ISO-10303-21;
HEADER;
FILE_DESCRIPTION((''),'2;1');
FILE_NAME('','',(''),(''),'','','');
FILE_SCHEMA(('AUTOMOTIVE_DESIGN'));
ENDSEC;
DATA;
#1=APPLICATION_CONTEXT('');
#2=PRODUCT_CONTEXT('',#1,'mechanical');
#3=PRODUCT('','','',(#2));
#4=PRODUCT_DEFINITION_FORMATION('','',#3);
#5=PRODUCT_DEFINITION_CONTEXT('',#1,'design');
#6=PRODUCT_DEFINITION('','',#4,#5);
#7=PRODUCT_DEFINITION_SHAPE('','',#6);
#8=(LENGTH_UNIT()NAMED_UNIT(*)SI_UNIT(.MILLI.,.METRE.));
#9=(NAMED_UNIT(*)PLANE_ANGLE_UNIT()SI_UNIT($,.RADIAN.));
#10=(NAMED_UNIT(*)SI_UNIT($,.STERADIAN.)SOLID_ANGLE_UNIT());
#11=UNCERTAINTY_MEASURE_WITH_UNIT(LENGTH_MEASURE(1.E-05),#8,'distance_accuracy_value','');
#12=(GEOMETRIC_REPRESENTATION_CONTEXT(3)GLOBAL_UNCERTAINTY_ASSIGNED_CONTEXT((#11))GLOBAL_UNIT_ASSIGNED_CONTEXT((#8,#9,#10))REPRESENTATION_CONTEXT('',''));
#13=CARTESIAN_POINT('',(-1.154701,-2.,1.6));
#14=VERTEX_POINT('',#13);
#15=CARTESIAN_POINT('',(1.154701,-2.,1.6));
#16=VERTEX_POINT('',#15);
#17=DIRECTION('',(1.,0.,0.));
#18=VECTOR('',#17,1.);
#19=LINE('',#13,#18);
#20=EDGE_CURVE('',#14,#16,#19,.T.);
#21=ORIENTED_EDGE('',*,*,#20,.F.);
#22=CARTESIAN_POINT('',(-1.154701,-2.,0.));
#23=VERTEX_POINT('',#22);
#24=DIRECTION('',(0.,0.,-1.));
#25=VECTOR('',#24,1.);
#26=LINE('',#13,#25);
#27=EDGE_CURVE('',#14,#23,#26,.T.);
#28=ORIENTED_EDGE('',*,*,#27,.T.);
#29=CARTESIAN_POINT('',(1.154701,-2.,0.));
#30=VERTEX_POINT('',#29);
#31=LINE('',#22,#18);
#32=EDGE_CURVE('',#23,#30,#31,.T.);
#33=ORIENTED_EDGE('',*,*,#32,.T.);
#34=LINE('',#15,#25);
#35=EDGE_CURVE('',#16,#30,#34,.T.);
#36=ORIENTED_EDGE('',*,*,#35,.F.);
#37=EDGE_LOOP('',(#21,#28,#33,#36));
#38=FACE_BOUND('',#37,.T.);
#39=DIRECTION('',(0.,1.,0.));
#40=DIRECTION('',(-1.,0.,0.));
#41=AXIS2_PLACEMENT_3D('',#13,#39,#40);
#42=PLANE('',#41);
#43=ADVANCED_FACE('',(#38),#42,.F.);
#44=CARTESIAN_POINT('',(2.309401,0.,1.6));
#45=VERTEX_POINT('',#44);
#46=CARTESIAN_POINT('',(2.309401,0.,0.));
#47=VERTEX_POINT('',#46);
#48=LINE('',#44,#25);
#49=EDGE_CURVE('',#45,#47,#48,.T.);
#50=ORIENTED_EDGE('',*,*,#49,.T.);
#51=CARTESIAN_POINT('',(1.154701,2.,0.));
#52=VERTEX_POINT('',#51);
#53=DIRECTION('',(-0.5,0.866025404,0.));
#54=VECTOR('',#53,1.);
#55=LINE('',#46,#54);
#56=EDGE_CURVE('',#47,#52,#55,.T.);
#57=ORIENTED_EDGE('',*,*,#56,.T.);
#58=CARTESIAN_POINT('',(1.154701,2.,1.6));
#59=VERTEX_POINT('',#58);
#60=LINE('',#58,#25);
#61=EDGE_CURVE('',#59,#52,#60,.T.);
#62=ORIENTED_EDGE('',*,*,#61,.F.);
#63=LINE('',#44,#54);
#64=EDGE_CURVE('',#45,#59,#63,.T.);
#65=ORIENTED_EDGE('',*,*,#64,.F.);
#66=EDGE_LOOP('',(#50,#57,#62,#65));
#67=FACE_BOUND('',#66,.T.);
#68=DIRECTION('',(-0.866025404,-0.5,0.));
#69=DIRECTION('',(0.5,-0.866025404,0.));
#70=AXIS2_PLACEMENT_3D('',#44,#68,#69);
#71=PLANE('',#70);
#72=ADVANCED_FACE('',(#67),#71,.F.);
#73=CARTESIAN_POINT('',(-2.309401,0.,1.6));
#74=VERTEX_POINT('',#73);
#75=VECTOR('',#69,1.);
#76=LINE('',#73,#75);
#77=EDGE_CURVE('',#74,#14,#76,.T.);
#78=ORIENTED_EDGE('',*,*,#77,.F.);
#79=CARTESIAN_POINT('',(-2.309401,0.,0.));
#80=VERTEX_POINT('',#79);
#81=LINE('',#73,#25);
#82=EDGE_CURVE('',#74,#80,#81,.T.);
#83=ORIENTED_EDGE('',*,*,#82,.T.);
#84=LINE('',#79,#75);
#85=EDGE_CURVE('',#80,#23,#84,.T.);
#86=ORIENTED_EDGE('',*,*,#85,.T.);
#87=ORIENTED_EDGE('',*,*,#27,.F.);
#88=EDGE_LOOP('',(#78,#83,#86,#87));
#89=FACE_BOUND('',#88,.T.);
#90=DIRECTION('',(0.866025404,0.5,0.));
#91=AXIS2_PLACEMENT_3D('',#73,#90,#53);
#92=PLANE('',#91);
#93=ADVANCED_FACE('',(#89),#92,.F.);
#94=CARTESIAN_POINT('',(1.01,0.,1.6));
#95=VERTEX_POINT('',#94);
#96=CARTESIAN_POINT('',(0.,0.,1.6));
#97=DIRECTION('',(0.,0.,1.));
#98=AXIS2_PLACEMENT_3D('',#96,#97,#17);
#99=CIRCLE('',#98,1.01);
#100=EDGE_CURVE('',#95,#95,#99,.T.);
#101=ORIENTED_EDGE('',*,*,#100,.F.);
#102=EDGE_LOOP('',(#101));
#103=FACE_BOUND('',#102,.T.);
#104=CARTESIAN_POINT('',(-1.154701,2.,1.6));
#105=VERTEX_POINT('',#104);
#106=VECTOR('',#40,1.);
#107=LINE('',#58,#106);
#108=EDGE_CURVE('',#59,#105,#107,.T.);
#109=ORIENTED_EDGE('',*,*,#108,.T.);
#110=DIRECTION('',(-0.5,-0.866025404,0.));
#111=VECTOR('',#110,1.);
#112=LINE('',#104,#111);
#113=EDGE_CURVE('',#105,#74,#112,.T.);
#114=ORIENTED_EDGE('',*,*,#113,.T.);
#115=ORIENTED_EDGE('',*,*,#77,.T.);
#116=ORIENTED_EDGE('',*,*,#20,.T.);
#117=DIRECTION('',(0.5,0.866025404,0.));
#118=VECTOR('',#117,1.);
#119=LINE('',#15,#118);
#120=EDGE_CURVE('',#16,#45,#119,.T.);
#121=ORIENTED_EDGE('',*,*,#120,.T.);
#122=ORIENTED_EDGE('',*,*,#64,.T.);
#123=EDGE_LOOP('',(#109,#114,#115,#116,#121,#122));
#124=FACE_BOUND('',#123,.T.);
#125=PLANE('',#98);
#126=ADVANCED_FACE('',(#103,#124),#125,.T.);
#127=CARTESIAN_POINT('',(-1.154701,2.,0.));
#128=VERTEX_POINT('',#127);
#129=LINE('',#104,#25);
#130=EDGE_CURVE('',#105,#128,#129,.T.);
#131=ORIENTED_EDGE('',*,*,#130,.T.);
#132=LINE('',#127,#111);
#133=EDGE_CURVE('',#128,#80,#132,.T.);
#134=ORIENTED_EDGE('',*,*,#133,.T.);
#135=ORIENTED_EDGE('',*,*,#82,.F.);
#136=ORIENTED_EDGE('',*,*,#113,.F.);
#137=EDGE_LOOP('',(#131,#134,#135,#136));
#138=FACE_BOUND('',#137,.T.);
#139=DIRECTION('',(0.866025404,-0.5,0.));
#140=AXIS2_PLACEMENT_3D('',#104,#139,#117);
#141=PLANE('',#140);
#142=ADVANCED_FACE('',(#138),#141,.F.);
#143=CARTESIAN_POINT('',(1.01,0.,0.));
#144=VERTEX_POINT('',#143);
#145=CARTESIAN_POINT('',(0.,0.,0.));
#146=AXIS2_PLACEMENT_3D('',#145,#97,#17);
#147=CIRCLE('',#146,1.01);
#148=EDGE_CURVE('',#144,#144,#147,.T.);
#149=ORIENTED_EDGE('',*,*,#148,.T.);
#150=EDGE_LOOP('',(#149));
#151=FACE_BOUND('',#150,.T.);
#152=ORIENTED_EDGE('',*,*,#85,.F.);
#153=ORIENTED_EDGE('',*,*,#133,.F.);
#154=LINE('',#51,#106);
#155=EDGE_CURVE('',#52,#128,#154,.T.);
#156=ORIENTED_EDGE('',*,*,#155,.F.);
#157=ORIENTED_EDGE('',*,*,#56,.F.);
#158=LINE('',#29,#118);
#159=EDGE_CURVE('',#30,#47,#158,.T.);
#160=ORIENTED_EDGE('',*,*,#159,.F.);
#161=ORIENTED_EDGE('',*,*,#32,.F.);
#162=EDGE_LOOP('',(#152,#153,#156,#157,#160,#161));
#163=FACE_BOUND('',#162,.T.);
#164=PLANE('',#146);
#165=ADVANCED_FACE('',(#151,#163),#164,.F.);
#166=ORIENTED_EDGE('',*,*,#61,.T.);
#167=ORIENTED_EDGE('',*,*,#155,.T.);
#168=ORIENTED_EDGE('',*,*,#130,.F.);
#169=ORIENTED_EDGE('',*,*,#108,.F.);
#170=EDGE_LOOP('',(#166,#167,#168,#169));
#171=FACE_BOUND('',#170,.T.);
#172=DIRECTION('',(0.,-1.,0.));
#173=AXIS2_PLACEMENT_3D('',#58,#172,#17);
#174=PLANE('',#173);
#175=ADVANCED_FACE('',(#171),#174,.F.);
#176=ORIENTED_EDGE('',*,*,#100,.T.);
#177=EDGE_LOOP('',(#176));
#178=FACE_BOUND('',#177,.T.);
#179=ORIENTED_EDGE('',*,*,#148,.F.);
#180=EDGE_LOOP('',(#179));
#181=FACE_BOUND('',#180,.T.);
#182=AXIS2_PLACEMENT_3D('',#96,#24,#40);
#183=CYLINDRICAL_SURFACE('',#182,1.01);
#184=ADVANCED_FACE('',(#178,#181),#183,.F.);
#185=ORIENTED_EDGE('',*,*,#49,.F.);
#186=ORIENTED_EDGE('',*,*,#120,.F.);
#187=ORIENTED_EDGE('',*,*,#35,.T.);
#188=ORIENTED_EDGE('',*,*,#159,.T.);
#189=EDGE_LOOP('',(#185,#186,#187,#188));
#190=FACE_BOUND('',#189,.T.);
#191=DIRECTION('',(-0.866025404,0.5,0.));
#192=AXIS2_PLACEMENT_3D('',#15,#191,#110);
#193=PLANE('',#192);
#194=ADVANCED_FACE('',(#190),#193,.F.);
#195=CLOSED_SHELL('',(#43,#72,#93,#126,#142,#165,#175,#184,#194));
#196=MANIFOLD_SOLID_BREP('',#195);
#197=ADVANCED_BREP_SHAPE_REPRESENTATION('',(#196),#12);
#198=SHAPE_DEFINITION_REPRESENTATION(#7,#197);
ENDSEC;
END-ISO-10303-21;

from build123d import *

# Parameters (mm, degrees)
ISO4032_M2_AF4_H1P6_SKETCH_R = 1.01
ISO4032_M2_AF4_H1P6_DEPTH    = 1.6


with BuildPart() as part:
    # ISO4032_M2_AF4_h1p6_Sketch → ISO4032_M2_AF4_h1p6 (new body)
    with BuildSketch(Plane.XY):
        Polygon((2.309401077, 0), (1.154700538, 2), (-1.154700538, 2), (-2.309401077, 0), (-1.154700538, -2), (1.154700538, -2), align=None)
        Circle(ISO4032_M2_AF4_H1P6_SKETCH_R, mode=Mode.SUBTRACT)
    extrude(amount=ISO4032_M2_AF4_H1P6_DEPTH)


solid = part.part
